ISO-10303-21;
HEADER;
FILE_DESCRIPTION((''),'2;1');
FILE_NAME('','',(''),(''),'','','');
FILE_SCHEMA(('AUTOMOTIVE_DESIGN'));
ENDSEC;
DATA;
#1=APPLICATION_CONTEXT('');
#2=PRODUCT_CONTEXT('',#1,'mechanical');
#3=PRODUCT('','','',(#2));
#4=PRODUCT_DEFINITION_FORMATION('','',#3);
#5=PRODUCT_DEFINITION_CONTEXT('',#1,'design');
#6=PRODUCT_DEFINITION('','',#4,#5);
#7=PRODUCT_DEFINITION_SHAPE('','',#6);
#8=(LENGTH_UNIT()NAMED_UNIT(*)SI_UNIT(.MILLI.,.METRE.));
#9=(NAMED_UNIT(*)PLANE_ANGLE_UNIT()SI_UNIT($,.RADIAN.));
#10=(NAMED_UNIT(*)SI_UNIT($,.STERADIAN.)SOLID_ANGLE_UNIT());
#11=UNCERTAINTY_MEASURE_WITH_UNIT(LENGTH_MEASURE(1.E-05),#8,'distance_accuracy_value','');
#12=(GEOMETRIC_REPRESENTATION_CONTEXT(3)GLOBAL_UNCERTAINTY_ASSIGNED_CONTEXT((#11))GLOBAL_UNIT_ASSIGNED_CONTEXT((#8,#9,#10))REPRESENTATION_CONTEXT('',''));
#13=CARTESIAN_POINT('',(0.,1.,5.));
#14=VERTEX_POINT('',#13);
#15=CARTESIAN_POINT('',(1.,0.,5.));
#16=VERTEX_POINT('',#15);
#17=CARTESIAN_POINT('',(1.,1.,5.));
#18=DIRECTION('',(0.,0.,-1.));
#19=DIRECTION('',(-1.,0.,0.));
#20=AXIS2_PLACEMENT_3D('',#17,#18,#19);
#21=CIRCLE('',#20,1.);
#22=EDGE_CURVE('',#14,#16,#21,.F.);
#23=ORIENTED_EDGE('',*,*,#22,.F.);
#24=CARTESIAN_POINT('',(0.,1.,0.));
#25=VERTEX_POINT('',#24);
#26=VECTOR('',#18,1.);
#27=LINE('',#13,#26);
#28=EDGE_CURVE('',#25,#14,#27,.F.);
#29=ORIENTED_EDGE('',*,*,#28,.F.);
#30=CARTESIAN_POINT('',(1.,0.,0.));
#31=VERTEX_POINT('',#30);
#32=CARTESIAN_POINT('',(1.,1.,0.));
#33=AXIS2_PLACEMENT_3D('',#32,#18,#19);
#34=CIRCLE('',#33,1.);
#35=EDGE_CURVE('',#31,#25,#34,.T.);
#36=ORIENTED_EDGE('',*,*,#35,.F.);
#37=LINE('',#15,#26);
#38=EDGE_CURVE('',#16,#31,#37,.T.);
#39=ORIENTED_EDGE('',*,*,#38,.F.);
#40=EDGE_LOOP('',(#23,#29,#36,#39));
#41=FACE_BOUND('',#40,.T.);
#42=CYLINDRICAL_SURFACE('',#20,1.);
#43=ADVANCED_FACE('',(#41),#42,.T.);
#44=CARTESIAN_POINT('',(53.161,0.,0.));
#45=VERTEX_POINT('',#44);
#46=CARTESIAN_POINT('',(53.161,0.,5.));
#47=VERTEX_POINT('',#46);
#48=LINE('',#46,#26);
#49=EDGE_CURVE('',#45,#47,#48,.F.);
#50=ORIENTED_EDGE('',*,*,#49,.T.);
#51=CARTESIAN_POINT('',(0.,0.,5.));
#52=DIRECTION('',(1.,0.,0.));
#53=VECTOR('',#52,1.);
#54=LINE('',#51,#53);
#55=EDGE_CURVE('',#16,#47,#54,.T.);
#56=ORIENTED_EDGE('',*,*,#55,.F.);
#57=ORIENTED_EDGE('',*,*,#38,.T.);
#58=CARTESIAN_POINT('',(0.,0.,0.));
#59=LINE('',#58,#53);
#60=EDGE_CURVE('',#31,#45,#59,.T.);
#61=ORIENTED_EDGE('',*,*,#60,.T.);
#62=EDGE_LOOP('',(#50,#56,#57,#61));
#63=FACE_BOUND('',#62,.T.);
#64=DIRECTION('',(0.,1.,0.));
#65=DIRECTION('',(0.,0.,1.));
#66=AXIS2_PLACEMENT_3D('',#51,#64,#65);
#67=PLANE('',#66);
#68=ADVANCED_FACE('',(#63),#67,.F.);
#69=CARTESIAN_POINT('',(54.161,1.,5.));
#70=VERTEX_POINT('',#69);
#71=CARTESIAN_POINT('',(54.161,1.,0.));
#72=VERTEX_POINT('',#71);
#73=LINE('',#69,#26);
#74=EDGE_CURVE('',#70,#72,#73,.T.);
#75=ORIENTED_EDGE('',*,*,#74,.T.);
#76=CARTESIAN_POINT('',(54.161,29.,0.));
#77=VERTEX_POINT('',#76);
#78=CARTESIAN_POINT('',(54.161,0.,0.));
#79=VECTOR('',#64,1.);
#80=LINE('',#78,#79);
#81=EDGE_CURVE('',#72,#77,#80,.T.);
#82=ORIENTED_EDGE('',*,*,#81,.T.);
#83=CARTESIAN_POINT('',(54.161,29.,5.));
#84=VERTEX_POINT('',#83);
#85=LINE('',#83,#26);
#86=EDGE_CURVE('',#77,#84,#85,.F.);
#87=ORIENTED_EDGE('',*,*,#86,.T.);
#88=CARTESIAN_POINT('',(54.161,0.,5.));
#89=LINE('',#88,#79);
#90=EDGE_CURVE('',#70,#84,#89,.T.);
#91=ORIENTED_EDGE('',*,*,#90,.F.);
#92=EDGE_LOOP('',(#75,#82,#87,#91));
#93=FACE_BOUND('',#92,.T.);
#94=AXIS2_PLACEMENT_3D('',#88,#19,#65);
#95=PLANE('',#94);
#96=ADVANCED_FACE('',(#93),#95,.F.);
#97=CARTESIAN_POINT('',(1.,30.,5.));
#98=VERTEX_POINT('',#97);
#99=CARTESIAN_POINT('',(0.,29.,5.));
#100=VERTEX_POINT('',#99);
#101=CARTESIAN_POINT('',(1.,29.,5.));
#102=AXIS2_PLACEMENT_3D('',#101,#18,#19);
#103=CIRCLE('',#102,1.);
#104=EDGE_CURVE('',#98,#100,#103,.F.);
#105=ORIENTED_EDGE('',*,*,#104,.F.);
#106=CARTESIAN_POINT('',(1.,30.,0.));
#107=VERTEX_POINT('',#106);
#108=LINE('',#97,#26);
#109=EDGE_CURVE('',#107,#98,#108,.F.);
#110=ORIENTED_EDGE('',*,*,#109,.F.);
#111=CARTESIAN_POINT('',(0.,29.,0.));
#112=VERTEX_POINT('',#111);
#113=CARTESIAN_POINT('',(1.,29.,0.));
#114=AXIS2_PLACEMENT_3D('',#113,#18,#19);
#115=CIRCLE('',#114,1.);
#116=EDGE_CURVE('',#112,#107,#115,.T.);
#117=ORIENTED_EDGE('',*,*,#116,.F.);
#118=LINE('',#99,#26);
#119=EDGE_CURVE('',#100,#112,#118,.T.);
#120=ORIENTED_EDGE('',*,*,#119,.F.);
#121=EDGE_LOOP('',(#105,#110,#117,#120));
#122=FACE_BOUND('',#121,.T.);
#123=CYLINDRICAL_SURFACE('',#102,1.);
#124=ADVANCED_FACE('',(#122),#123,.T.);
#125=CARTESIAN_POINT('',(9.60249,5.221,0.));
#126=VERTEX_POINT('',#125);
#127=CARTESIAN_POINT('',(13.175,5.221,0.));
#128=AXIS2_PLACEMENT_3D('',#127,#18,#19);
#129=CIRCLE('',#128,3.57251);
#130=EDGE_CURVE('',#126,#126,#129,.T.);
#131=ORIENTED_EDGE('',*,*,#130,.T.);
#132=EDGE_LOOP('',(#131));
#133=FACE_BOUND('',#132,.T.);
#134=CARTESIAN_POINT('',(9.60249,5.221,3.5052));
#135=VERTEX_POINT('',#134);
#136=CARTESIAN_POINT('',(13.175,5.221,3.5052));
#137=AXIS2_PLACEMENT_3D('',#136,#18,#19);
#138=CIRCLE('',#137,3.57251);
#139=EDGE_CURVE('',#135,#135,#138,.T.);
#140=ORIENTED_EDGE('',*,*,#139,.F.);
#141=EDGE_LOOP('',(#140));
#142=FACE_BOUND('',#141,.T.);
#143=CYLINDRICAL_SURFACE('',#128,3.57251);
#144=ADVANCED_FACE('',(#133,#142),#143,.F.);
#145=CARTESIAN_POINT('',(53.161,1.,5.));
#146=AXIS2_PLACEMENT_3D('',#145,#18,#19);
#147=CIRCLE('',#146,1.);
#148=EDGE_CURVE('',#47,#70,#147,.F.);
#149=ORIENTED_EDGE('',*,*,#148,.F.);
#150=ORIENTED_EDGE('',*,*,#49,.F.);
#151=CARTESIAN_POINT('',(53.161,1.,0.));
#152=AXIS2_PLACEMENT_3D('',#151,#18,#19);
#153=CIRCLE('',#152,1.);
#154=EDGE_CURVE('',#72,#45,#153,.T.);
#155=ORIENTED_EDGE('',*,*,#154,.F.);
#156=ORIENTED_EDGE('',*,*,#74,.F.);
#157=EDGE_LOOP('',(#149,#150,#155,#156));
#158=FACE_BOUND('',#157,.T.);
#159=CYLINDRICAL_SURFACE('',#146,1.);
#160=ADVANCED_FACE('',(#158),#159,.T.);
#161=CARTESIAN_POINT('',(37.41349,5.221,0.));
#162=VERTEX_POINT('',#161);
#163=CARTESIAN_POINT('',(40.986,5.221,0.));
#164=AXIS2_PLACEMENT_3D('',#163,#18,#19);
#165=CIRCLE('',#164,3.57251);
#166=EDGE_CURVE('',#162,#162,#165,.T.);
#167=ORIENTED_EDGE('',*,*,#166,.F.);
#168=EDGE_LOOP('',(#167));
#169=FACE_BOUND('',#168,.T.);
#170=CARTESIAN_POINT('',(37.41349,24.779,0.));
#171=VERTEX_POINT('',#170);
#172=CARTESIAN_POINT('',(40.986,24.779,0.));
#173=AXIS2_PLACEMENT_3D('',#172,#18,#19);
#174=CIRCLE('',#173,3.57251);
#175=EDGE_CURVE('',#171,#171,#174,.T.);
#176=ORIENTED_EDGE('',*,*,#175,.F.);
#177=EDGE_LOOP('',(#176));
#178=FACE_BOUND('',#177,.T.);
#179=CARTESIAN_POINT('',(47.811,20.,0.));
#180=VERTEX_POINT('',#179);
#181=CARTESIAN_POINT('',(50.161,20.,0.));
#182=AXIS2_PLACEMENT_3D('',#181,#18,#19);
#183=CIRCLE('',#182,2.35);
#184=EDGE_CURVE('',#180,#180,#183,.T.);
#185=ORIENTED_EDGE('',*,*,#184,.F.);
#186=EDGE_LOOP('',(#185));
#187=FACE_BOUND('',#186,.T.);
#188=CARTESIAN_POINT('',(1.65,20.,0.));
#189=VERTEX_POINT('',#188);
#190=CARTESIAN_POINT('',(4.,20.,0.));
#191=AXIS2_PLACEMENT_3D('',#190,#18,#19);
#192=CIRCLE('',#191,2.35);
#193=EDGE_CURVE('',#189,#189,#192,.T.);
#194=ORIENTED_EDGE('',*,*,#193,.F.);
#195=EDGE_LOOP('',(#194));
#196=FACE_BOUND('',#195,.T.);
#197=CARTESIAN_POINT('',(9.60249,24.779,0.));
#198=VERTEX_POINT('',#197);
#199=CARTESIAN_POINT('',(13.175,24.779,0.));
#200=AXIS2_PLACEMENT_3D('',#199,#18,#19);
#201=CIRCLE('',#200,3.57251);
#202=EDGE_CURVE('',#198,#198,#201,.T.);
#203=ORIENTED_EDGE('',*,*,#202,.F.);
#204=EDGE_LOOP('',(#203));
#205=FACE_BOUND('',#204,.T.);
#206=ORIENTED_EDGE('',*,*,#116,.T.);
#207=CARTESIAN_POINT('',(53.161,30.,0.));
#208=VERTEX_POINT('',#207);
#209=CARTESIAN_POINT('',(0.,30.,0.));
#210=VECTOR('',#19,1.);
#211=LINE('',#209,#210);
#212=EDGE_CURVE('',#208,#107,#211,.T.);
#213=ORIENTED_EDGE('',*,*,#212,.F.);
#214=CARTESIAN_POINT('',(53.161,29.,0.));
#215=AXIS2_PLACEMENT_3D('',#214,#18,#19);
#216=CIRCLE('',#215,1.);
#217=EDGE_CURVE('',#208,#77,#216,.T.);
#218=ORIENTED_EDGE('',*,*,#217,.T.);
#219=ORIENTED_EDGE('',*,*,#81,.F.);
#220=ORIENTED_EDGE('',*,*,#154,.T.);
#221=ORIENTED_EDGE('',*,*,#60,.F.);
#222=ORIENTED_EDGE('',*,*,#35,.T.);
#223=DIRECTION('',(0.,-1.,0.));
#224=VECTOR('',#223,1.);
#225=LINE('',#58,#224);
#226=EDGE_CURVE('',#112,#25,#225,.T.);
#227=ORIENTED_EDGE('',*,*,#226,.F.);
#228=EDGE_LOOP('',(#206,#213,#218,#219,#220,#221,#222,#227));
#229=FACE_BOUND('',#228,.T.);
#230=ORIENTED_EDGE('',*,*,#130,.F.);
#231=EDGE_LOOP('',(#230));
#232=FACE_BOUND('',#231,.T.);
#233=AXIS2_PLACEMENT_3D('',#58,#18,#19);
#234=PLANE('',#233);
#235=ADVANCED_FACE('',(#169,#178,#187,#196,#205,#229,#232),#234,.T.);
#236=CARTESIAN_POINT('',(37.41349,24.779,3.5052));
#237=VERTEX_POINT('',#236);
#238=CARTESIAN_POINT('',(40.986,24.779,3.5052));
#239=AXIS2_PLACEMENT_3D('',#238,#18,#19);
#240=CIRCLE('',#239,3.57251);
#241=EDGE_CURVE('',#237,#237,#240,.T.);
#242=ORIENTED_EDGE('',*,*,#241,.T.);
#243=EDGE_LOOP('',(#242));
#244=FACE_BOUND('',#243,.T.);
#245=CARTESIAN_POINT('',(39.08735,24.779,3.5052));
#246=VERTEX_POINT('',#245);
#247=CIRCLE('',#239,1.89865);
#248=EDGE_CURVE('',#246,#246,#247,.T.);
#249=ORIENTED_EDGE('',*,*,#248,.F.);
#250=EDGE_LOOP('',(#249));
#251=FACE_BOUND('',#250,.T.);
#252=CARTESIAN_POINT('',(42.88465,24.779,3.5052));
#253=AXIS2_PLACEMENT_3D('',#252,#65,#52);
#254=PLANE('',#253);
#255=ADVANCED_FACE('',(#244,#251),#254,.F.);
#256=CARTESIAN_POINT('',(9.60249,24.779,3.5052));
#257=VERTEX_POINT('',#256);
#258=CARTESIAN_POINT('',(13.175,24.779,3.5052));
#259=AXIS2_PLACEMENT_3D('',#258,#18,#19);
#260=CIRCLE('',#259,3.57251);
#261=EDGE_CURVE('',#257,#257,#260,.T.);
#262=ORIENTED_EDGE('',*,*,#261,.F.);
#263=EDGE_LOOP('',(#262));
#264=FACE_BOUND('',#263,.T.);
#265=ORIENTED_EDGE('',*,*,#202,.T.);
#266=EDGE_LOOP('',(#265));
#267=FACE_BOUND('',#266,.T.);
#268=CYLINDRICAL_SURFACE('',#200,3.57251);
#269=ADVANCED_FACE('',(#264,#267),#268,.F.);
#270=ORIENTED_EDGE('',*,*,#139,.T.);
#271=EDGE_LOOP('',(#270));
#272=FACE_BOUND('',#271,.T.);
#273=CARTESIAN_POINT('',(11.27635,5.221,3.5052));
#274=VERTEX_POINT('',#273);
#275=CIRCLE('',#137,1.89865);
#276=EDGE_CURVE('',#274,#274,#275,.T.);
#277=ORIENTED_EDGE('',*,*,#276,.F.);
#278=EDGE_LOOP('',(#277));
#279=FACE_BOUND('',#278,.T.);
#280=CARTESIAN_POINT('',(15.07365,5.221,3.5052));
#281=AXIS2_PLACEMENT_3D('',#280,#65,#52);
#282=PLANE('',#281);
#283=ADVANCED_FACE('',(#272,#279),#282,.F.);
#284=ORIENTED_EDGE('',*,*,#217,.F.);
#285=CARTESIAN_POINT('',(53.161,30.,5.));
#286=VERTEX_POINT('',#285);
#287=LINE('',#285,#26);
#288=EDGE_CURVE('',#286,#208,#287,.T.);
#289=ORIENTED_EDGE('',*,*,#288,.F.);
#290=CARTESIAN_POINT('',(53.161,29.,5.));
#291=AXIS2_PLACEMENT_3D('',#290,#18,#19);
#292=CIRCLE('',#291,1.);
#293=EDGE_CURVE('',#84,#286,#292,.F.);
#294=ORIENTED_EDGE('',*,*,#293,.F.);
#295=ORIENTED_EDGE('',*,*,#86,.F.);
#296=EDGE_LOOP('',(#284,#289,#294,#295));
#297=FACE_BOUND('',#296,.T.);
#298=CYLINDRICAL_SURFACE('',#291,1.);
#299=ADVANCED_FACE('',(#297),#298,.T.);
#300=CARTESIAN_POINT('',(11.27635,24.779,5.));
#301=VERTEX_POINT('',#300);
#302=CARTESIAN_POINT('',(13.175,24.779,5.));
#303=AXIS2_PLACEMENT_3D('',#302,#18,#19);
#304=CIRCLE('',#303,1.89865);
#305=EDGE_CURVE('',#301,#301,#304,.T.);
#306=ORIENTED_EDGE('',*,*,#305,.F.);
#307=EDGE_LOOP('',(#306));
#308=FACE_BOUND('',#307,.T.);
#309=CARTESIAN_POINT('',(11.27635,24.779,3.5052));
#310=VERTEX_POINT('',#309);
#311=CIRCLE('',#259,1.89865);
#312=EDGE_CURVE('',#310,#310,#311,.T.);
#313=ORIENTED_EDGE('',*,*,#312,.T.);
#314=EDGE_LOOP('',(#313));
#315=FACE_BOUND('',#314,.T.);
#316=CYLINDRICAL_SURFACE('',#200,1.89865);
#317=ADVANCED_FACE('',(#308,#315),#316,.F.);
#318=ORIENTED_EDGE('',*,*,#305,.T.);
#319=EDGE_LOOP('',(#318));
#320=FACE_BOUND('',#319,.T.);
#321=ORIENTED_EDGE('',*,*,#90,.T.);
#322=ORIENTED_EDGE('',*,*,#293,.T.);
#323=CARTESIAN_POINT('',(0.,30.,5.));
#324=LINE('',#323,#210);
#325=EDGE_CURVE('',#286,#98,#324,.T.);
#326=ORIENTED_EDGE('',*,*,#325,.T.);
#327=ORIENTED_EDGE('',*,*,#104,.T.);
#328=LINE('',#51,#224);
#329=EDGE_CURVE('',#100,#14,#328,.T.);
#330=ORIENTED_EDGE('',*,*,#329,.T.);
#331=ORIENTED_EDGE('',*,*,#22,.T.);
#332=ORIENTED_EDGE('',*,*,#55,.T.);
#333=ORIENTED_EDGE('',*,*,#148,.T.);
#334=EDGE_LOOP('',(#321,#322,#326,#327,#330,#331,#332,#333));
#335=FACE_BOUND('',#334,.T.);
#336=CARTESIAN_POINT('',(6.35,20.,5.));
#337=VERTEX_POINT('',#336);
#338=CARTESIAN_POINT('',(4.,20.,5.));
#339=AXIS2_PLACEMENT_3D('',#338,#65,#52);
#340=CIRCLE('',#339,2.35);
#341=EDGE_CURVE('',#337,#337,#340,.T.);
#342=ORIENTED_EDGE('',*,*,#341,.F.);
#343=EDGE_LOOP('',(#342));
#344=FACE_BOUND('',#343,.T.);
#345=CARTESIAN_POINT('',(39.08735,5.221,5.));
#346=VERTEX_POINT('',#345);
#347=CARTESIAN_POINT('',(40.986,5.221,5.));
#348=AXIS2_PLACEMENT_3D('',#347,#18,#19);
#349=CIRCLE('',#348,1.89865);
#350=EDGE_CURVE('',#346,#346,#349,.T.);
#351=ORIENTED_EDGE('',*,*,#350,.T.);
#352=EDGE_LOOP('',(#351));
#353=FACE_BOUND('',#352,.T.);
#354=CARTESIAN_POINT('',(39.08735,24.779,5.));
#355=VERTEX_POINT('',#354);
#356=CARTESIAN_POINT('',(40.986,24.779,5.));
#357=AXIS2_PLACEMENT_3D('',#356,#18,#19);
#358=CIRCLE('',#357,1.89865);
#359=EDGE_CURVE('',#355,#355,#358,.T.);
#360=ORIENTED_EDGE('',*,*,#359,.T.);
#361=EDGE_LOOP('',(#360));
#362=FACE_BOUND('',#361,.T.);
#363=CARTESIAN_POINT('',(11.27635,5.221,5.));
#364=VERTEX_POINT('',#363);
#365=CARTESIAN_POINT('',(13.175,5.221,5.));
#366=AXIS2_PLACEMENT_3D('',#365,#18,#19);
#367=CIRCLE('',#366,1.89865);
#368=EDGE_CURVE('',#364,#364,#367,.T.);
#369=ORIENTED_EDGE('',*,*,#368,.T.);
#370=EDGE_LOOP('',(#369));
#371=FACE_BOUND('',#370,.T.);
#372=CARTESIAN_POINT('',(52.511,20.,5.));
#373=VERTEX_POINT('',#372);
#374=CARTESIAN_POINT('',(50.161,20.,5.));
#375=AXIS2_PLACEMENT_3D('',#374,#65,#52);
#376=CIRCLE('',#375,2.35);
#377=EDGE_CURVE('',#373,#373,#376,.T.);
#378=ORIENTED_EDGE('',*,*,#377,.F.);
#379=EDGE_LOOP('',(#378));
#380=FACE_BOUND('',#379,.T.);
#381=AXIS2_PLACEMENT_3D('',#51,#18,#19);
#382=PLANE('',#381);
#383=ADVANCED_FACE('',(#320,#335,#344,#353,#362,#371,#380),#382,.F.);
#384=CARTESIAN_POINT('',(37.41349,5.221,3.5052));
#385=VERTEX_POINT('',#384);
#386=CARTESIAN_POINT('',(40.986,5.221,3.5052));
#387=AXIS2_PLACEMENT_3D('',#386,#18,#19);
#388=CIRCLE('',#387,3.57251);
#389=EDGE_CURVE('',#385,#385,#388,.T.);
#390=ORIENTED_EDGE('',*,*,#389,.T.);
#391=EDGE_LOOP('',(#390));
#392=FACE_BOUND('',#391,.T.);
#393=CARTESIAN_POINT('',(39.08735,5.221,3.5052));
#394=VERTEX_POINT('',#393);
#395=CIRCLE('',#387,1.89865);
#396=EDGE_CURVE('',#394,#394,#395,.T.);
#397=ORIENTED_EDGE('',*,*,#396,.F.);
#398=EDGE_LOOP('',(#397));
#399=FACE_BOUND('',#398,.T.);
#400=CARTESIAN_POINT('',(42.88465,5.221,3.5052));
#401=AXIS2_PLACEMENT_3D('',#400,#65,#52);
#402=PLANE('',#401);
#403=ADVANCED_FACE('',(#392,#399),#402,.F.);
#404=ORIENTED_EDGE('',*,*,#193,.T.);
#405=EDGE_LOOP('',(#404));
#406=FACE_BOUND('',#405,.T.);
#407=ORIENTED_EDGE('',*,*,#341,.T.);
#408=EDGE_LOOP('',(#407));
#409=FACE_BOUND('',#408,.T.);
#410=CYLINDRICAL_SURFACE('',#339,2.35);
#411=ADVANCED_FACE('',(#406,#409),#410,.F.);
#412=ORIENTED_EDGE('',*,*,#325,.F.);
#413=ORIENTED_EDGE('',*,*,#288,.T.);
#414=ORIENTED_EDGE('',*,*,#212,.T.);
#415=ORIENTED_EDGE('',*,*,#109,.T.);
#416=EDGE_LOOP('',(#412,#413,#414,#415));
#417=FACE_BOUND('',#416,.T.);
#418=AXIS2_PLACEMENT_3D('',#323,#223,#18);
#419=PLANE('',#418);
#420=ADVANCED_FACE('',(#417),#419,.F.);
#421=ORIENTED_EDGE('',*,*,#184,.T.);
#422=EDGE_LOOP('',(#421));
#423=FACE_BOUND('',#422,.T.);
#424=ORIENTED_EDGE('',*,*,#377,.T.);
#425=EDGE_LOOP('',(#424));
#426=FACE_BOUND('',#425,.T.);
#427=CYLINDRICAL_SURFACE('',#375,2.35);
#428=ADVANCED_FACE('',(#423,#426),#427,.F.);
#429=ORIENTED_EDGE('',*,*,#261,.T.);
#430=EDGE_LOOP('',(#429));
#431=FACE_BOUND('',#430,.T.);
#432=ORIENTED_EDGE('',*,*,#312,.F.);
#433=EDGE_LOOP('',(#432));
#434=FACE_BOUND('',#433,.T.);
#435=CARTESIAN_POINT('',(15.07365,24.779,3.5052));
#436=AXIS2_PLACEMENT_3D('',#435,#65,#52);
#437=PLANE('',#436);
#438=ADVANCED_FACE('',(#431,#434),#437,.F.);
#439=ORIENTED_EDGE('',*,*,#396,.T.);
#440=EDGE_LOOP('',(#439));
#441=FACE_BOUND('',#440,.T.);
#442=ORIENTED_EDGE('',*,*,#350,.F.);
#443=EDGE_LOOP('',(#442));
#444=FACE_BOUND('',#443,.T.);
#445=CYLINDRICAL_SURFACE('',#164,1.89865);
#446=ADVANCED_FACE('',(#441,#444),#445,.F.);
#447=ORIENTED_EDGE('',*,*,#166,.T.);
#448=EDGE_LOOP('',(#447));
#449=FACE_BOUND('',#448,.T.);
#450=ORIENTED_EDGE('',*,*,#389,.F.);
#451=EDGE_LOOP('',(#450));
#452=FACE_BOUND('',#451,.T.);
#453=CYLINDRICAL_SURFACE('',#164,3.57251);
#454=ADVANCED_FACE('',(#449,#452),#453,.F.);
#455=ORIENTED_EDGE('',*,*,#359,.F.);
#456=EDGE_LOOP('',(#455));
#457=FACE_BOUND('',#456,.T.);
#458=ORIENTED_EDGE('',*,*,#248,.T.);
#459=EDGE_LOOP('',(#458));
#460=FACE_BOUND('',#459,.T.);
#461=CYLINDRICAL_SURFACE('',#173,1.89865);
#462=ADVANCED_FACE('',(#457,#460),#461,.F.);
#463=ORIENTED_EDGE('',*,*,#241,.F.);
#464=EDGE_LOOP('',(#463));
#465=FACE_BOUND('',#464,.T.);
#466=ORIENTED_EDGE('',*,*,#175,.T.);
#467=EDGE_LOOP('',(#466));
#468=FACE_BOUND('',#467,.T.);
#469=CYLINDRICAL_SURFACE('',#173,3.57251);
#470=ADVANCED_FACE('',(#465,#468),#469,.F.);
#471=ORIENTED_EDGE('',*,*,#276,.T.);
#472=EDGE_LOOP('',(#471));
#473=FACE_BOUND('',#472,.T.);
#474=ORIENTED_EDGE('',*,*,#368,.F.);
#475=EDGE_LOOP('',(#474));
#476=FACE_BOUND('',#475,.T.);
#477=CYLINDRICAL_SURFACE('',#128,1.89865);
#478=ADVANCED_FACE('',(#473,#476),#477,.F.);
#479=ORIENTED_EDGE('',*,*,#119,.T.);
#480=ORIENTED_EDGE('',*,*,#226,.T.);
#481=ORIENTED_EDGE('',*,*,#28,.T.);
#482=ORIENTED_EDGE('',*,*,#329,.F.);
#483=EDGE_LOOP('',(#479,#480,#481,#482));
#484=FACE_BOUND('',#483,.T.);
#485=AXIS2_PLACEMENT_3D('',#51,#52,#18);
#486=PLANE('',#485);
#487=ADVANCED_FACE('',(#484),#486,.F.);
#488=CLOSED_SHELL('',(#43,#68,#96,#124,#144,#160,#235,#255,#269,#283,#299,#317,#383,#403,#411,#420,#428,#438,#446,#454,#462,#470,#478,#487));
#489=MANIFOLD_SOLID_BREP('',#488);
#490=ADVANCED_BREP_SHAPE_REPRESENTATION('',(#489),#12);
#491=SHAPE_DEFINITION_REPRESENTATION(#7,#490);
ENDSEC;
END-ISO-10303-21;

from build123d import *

# Parameters (mm, degrees)
SKETCH1_W                                      = 54.161
SKETCH1_H                                      = 30
BOSS_EXTRUDE1_DEPTH                            = 5
M4_CLEARANCE_HOLE1_D                           = 4.7
FILLET1_R                                      = 1
CBORE_FOR_6_SOCKET_HEAD_CAP_SCREW1_D           = 3.7973
CBORE_FOR_6_SOCKET_HEAD_CAP_SCREW1_CBORE_D     = 7.14502
CBORE_FOR_6_SOCKET_HEAD_CAP_SCREW1_CBORE_DEPTH = 3.5052


with BuildPart() as part:
    # Sketch1 → Boss-Extrude1 (new body)
    with BuildSketch(Plane.XY):
        with Locations((27.0805, 15)):
            Rectangle(SKETCH1_W, SKETCH1_H)
    extrude(amount=BOSS_EXTRUDE1_DEPTH)

    # M4 Clearance Hole1 (through all)
    with Locations(Plane.XY.offset(5)):
        with Locations((4, 20), (50.161, 20)):
            Hole(M4_CLEARANCE_HOLE1_D / 2)

    # Fillet1
    fillet1_edges = [part.edges().sort_by_distance(p)[0] for p in [
        (0, 30, 2.5),
        (54.161, 30, 2.5),
        (54.161, 0, 2.5),
        (0, 0, 2.5),
    ]]
    fillet(fillet1_edges, radius=FILLET1_R)

    # CBORE for #6 Socket Head Cap Screw1 (through all)
    with Locations(Plane(origin=(0, 0, 0), x_dir=(-1, 0, 0), z_dir=(0, 0, -1))):
        with Locations((-40.986, 24.779), (-13.175, 24.779), (-40.986, 5.221), (-13.175, 5.221)):
            CounterBoreHole(CBORE_FOR_6_SOCKET_HEAD_CAP_SCREW1_D / 2, CBORE_FOR_6_SOCKET_HEAD_CAP_SCREW1_CBORE_D / 2, CBORE_FOR_6_SOCKET_HEAD_CAP_SCREW1_CBORE_DEPTH)


solid = part.part
